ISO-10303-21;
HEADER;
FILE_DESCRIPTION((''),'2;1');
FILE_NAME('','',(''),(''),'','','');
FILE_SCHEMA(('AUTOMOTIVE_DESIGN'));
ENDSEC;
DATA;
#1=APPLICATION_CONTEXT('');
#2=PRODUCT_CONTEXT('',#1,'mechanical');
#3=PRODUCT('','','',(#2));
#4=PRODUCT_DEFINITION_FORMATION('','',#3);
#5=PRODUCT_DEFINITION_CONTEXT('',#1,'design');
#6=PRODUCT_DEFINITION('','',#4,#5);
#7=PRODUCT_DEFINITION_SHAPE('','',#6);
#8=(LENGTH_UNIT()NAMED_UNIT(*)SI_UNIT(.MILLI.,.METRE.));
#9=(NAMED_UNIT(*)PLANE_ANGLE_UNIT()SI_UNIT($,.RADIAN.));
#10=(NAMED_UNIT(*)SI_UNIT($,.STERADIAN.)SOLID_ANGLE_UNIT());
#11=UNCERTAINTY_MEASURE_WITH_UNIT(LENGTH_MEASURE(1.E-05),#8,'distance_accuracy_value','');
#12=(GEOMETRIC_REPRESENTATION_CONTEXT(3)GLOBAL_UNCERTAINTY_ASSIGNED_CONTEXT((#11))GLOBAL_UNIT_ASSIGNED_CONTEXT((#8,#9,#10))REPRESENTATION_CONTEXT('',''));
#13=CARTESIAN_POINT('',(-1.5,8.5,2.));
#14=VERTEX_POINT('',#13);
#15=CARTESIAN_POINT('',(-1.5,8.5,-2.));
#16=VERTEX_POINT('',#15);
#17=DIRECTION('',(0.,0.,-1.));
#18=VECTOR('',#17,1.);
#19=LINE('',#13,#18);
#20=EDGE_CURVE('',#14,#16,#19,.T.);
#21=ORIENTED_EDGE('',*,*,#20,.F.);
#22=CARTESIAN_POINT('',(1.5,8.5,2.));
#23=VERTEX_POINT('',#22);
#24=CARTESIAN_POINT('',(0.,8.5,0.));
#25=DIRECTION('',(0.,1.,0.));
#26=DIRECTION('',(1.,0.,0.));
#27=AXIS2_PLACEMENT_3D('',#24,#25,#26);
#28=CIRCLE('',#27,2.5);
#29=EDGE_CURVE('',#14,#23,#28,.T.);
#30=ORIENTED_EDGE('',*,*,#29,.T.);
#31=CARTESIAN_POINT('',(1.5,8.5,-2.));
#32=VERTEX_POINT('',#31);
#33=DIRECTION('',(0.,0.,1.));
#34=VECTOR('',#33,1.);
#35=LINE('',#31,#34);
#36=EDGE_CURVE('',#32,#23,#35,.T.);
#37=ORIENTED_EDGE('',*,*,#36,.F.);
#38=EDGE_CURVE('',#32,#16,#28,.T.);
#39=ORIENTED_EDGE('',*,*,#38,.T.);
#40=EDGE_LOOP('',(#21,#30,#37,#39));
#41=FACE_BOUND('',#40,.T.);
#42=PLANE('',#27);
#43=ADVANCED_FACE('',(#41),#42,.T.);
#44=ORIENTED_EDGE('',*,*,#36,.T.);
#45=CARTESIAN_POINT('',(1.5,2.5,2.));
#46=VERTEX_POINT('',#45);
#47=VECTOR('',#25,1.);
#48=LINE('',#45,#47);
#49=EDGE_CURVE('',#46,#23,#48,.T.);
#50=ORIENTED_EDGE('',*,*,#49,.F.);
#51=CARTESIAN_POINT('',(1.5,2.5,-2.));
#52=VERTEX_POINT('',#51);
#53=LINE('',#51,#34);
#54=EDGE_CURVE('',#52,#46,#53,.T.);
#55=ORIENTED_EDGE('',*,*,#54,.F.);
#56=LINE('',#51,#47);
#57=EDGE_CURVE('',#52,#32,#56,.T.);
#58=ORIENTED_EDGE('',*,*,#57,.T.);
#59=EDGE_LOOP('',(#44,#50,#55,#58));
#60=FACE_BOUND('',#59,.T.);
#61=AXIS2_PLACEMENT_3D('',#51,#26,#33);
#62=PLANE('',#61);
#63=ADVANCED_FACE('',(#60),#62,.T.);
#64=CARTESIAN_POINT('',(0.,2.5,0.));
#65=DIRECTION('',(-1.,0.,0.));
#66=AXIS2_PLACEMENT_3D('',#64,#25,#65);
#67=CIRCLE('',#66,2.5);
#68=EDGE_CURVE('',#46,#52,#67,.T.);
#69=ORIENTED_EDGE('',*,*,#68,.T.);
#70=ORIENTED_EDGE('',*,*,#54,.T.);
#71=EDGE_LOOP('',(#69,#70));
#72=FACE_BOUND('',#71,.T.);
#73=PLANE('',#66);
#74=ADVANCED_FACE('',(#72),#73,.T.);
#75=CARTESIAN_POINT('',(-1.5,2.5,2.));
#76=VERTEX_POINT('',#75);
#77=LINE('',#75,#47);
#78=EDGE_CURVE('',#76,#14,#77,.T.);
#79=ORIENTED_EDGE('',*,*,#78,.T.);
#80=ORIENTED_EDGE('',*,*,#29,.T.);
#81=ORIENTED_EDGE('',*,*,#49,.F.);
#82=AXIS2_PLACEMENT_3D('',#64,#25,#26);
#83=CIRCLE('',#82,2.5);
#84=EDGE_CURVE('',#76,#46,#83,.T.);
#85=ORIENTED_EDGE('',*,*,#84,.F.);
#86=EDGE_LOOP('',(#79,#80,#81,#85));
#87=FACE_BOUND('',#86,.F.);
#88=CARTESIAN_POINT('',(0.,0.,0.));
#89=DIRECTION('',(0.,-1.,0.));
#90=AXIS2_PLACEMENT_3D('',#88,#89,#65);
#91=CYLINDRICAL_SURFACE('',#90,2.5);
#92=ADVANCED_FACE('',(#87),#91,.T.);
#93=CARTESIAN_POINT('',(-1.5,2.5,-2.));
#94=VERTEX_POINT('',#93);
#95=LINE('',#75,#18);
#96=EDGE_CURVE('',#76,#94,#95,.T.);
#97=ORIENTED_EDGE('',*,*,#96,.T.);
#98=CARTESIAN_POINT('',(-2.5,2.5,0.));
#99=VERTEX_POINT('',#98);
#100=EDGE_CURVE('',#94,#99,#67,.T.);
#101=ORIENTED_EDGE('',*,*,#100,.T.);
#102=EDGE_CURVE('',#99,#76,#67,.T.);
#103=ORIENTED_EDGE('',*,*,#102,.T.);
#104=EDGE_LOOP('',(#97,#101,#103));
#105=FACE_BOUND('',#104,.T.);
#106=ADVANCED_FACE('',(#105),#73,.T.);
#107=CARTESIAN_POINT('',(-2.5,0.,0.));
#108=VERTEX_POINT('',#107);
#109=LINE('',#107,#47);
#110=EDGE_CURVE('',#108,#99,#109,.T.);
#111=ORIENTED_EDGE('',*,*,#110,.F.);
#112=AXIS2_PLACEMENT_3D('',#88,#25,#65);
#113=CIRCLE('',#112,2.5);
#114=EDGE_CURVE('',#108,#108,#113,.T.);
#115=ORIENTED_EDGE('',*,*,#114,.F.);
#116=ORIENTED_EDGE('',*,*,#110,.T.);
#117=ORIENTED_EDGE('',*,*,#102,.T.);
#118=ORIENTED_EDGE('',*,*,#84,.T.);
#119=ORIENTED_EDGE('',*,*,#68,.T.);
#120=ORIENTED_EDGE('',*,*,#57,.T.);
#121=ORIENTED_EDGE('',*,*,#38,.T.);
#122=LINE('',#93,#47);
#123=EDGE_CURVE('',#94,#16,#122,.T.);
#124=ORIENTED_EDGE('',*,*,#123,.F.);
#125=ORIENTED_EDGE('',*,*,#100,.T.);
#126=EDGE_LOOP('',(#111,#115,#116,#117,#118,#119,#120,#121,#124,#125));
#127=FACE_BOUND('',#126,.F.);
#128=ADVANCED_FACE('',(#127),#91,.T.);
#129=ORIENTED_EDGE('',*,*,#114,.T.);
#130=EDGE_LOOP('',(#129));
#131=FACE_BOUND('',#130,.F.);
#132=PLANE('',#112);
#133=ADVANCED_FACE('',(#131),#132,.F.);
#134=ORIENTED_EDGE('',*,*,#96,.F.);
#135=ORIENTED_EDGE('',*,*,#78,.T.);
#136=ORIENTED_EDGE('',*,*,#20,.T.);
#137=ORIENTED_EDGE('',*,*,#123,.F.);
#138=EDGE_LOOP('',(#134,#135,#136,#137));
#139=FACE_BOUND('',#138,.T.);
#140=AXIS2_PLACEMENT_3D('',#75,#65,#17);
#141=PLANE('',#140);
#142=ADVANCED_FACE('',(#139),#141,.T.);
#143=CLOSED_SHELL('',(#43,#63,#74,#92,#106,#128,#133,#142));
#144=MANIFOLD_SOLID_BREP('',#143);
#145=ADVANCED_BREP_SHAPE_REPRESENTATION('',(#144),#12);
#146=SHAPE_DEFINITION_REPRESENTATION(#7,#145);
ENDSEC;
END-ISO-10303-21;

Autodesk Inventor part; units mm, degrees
ref_plane "YZ Plane" through (0, 0, 0) normal (1, 0, 0) x (0, 1, 0)
ref_plane "XZ Plane" through (0, 0, 0) normal (0, 1, 0) x (-1, 0, 0)
ref_plane "XY Plane" through (0, 0, 0) normal (0, 0, 1) x (1, 0, 0)
sketch "Sketch1" plane through (0, 0, 0) normal (0, 1, 0) x (-1, 0, 0)
  circle A0 centre (0, 0) radius 2.5
  dimension "d0" = 5
extrude "Extrusion1" add sketch "Sketch1" along normal blind 2.5
sketch "Sketch2" plane through (0, 2.5, 0) normal (0, 1, 0) x (1, 0, 0)
  circle A0 centre (0, 0) radius 2.5 projected
  line L0 (1.5, -2) -> (-1.5, -2)
  line L1 (-1.5, -2) -> (-1.5, 2)
  line L2 (-1.5, 2) -> (1.5, 2)
  line L3 (1.5, 2) -> (1.5, -2)
  line L4 (1.5, -2) -> (-1.5, 2) construction
  line L5 (-1.5, -2) -> (1.5, 2) construction
  arc A1 (-1.5, -2) -> (1.5, -2) centre (0, 0) ccw
  arc A2 (-1.5, 2) -> (-1.5, -2) centre (0, 0) ccw
  arc A3 (1.5, 2) -> (-1.5, 2) centre (0, 0) ccw
  arc A4 (1.5, -2) -> (1.5, 2) centre (0, 0) ccw
  dimension "d3" = 3
extrude "Extrusion2" add sketch "Sketch2" along normal blind 6 contours L2 A0 | L3 L0 L1 L2 | A0 L0
properties part number "small_stepper_shaft"
